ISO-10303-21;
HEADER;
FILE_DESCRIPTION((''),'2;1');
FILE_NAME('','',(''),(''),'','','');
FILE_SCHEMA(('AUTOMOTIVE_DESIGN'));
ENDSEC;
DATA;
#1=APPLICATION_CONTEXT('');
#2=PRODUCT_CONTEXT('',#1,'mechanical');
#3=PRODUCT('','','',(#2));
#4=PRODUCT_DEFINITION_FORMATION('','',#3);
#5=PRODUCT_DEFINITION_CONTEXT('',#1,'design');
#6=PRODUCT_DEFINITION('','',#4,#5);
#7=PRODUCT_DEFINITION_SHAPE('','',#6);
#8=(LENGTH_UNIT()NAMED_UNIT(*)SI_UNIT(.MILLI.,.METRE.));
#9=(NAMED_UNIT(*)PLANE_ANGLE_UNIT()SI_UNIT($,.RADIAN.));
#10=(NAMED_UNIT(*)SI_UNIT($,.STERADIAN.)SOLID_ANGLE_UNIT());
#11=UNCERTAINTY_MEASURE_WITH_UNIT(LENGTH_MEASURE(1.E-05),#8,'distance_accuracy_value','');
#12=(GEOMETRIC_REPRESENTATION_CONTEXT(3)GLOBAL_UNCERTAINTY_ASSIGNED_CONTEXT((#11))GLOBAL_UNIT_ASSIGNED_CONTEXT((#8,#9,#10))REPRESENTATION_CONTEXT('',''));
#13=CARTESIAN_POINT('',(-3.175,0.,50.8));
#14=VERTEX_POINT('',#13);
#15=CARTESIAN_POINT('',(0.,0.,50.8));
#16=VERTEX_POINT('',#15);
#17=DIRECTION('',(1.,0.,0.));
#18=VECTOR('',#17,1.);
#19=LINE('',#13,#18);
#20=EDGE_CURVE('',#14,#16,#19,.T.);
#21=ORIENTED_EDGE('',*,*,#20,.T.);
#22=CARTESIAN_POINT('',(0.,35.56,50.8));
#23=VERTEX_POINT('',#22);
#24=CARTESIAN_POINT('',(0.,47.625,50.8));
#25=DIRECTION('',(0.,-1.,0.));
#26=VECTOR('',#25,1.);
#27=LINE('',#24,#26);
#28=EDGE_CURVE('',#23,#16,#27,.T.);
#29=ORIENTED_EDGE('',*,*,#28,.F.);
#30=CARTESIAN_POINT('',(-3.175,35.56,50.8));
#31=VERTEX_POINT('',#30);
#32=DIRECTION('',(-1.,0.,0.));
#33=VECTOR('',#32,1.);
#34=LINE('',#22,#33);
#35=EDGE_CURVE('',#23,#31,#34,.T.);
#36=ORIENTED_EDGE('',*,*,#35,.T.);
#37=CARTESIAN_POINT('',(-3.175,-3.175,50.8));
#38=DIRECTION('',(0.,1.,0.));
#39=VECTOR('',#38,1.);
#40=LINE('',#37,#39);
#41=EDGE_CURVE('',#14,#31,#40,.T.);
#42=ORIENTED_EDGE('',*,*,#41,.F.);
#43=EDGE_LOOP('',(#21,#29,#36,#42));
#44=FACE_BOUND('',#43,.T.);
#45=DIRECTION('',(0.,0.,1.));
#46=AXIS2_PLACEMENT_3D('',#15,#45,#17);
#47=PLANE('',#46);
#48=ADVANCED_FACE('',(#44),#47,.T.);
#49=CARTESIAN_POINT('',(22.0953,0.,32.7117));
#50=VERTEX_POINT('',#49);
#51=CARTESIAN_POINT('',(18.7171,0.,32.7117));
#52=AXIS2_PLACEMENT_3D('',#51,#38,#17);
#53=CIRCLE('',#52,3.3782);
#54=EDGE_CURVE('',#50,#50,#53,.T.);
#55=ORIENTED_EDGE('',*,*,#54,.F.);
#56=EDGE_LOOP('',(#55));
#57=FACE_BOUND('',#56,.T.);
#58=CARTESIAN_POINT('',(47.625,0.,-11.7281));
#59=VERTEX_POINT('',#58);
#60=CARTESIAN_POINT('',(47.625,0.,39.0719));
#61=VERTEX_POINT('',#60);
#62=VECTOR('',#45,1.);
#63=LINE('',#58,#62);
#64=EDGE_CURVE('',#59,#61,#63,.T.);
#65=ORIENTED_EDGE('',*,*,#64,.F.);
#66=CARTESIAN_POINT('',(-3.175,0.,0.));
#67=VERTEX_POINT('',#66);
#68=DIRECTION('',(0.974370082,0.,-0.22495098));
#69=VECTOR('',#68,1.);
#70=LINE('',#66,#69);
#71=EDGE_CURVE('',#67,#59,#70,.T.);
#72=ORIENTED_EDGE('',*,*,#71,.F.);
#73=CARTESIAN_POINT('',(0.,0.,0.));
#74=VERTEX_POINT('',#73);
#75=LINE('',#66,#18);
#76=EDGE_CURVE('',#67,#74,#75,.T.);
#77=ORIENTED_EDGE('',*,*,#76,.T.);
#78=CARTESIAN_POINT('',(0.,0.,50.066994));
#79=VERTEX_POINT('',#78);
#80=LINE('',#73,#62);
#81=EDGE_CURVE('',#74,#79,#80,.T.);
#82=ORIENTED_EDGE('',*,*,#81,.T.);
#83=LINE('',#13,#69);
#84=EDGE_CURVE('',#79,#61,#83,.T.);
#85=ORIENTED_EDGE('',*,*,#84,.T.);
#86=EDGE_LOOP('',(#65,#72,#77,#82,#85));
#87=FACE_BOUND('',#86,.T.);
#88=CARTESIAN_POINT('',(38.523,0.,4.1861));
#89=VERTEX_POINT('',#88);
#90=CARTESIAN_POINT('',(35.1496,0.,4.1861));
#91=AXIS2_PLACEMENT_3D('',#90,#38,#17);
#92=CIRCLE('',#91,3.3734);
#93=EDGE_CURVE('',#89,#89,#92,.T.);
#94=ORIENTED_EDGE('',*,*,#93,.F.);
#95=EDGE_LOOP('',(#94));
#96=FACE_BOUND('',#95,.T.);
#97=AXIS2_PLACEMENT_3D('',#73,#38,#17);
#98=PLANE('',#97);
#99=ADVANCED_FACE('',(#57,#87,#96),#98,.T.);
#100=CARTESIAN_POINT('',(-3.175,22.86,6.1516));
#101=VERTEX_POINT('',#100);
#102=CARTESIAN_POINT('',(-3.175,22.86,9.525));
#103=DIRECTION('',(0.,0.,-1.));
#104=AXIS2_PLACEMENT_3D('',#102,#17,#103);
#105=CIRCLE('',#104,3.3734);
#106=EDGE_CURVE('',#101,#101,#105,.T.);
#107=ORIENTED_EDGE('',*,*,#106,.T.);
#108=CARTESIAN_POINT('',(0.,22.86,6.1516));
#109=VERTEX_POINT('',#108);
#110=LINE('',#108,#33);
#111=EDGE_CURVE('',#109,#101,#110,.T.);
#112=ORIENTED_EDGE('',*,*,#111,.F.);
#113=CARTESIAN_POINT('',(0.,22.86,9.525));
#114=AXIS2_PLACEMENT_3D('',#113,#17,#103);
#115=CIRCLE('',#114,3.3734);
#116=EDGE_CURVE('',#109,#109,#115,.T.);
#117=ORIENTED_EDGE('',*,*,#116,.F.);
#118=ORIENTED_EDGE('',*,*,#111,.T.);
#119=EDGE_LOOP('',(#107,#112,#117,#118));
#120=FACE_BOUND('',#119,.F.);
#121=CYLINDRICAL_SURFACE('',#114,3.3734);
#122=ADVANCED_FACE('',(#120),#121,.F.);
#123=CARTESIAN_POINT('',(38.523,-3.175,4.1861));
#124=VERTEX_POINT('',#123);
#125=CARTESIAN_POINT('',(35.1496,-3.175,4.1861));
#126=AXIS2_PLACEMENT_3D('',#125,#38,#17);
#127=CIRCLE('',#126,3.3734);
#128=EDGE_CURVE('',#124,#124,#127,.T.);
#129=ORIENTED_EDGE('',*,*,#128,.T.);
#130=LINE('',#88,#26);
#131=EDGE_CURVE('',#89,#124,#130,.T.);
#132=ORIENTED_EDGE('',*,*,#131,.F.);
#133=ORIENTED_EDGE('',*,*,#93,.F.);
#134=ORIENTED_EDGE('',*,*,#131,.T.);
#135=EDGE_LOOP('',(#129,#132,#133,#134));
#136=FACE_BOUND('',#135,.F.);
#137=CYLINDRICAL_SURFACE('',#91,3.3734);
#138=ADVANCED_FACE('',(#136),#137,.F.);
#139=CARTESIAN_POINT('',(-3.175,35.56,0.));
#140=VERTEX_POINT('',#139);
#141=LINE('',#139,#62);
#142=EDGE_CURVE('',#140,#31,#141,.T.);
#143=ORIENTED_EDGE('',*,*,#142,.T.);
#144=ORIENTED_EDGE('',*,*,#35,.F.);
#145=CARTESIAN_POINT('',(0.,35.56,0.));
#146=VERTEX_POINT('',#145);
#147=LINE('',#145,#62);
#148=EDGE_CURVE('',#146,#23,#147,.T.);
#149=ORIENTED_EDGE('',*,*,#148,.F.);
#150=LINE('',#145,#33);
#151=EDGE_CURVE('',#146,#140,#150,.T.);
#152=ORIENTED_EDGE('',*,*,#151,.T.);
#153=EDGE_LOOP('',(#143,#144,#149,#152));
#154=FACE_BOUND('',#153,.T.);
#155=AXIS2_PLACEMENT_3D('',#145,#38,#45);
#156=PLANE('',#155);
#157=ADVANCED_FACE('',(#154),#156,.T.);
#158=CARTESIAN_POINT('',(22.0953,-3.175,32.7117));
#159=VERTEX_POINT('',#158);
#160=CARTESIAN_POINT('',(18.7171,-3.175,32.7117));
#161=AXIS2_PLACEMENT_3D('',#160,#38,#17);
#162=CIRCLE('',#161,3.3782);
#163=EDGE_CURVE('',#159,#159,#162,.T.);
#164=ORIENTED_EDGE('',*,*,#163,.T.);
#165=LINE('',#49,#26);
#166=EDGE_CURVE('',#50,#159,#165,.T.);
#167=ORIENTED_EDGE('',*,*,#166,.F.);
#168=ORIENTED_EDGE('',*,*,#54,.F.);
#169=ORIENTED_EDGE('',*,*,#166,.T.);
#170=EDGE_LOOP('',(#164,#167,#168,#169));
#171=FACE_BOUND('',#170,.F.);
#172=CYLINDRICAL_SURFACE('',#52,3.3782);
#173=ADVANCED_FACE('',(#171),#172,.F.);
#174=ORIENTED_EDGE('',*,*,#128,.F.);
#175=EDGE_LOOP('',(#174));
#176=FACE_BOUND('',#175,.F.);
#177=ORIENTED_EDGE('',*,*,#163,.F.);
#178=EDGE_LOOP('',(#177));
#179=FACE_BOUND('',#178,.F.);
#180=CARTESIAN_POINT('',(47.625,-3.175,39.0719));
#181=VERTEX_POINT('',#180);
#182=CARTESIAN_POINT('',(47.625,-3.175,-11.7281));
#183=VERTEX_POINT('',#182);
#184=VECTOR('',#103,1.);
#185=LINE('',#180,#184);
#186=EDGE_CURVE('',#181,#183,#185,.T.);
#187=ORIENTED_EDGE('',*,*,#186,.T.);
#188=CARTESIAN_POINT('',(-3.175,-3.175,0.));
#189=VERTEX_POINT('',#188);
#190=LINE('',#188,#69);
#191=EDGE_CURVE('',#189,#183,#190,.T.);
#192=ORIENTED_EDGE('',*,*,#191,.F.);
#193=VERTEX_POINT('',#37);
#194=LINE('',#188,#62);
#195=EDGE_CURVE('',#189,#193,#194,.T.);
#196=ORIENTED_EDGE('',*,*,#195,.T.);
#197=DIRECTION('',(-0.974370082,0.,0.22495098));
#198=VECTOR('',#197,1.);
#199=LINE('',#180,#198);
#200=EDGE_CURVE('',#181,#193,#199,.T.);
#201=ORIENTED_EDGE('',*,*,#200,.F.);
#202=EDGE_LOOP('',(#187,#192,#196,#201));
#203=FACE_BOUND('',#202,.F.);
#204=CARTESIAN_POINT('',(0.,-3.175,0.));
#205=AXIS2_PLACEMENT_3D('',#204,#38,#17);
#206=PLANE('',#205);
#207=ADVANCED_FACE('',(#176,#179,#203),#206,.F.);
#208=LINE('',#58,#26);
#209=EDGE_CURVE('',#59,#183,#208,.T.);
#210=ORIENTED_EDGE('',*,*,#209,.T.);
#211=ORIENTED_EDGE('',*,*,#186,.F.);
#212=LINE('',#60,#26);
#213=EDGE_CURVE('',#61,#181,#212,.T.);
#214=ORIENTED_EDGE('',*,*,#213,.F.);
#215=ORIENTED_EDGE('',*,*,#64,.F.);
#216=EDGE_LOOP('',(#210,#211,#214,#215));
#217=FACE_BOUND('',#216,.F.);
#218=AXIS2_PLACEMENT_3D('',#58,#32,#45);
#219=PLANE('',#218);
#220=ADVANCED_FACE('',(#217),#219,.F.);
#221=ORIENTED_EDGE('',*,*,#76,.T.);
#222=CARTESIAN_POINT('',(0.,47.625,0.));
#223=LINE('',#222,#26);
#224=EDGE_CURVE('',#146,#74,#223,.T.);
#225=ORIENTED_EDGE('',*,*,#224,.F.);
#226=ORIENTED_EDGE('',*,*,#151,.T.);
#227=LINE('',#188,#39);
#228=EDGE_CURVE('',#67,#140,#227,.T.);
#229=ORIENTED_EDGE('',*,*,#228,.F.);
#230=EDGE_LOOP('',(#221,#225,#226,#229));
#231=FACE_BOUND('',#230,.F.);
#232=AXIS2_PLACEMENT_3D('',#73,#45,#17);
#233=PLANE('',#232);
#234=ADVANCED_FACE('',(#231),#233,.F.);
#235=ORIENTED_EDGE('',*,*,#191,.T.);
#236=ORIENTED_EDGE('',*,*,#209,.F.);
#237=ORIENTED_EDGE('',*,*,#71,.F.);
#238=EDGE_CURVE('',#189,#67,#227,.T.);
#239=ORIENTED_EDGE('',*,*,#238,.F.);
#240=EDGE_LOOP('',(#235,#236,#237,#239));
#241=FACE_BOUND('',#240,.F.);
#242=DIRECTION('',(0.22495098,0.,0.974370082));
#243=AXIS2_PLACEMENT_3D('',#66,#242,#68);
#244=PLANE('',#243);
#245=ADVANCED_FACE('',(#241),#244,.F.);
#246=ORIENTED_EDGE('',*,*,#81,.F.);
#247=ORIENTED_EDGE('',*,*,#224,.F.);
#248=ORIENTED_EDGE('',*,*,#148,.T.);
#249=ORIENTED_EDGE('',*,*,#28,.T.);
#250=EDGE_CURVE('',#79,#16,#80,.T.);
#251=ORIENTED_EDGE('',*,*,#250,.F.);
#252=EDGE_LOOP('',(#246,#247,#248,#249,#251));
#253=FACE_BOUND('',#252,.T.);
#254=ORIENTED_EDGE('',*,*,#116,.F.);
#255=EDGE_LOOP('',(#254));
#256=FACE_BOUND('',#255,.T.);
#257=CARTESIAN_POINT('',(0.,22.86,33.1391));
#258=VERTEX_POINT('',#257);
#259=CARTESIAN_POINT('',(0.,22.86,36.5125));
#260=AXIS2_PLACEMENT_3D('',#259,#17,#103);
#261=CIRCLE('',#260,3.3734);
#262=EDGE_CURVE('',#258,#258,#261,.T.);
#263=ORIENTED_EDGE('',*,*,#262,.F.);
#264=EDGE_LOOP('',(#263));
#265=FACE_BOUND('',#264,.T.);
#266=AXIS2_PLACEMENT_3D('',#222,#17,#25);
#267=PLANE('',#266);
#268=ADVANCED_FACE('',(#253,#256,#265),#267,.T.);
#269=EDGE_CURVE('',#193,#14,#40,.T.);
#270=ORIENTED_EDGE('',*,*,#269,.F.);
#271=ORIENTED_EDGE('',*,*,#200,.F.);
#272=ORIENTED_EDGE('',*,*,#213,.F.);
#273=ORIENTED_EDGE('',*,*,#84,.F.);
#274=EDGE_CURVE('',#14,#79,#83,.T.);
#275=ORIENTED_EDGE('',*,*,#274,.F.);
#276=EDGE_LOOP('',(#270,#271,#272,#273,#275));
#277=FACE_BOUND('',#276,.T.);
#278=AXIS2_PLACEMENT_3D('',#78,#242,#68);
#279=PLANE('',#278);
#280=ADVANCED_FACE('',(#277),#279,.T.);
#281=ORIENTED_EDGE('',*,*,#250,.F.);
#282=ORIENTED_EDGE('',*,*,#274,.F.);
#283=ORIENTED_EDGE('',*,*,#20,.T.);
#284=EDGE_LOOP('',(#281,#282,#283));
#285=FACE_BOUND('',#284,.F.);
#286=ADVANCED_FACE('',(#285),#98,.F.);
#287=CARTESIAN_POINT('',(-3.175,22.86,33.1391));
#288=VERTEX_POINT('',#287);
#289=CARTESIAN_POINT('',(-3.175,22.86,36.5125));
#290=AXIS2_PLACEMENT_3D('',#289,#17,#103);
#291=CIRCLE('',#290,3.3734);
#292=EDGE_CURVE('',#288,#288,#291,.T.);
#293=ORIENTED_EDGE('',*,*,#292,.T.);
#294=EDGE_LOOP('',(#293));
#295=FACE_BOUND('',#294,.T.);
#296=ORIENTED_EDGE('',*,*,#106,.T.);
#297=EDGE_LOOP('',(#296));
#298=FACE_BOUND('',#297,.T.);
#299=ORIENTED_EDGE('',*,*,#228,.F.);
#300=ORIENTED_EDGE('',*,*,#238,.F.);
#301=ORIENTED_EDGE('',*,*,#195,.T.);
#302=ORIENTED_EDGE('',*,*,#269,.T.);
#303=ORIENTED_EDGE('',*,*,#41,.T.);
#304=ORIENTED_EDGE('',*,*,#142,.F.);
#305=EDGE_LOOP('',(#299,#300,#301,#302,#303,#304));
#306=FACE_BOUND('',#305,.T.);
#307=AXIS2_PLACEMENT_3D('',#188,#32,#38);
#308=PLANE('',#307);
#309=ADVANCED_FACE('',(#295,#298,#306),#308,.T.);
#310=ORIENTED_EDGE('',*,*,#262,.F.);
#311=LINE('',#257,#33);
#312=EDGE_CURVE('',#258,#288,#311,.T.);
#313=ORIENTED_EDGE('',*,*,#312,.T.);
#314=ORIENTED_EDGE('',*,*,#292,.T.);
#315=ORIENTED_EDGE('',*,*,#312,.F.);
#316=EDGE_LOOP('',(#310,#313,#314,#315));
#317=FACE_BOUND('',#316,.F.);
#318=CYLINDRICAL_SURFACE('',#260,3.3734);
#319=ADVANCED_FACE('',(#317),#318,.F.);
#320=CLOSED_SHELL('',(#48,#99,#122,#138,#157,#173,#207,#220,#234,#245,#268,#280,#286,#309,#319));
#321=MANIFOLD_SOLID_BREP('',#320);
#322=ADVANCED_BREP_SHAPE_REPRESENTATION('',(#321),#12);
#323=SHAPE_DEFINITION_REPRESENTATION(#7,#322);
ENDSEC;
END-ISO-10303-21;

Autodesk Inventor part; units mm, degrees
ref_plane "YZ Plane" through (0, 0, 0) normal (1, 0, 0) x (0, 1, 0)
ref_plane "XZ Plane" through (0, 0, 0) normal (0, 1, 0) x (-1, 0, 0)
ref_plane "XY Plane" through (0, 0, 0) normal (0, 0, 1) x (1, 0, 0)
sketch "Sketch1" plane through (0, 0, 0) normal (0, 0, 1) x (1, 0, 0)
  line L0 (0, 0) -> (47.625, 0)
  line L1 (47.625, 0) -> (47.625, -3.175)
  line L2 (47.625, -3.175) -> (-3.175, -3.175)
  line L3 (-3.175, -3.175) -> (-3.175, 47.625)
  line L4 (-3.175, 47.625) -> (0, 47.625)
  line L5 (0, 47.625) -> (0, 0)
  dimension "d14" = 50.8
  dimension "d15" = 3.175
extrude "Extrusion1" add sketch "Sketch1" along normal blind 50.8
sketch "Sketch2" plane through (0, 0, 0) normal (1, 0, 0) x (0, 0, -1)
  circle A0 centre (-9.525, 22.86) radius 3.3734
  circle A1 centre (-36.5125, 22.86) radius 3.3734
  line L0 (0, 0) -> (-50.8, 0) projected
  line L1 (0, 47.625) -> (0, 0) projected
  line L2 (-50.8, 0) -> (-50.8, 47.625) projected
  dimension "d6" = 6.7469
  dimension "d7" = 6.7469
  dimension "d8" = 22.86
  dimension "d9" = 22.86
  dimension "d16" = 14.2875
  dimension "d17" = 41.275
extrude "Extrusion2" cut sketch "Sketch2" against normal blind 3.175
sketch "Sketch3" plane through (0, 0, 0) normal (0, 1, 0) x (1, 0, 0)
  line L0 (0, -50.8) -> (-3.175, -50.8) projected
  line L1 (-3.175, -50.8) -> (47.625, -39.0719)
  line L2 (47.625, -50.8) -> (0, -50.8) projected
  circle A0 centre (35.1496, -4.1861) radius 3.3734
  circle A1 centre (18.7171, -32.7117) radius 3.3782
  line L3 (-3.175, 0) -> (-3.175, -50.8) projected
  line L4 (-3.175, -50.8) -> (-14.6025, -1.302) construction
  line L5 (47.625, 0) -> (47.625, -50.8) projected
  line L6 (47.625, 0) -> (47.625, -50.8) projected
  line L7 (47.625, -39.0719) -> (47.625, -50.8)
  line L8 (47.625, -50.8) -> (-3.175, -50.8)
  line L9 (-3.175, 0) -> (0, 0) projected
  line L10 (-3.175, 0) -> (47.625, 11.7281)
  line L11 (47.625, 11.7281) -> (47.625, 0)
  line L12 (47.625, 0) -> (-3.175, 0)
  line L13 (0, 0) -> (0, -50.8) projected
  dimension "d18" = 13
  dimension "d19" = 6.7469
  dimension "d20" = 6.7564
  dimension "d21" = 12.7
  dimension "d22" = 50.8
  dimension "d23" = 25.4
  dimension "d24" = 21.8921
  dimension "d26" = 12.7
  dimension "d35" = 47.8282
  dimension "d36" = 12.4754
  dimension "d37" = 18.7171
extrude "Extrusion3" cut sketch "Sketch3" against normal blind 3.175 contours L13 L1 L5 L2 | L0 L1 L13 | A0 | A1
extrude "Extrusion4" add sketch "Sketch3" against normal blind 3.175 contours L10 L11 L12 L9
sketch "Sketch4" plane through (0, 0, 0) normal (1, 0, 0) x (0, 0, -1)
  line L0 (-50.8, 0) -> (-50.8, 47.625) projected
  line L1 (0, 47.625) -> (0, 0) projected
  line L2 (-50.8, 47.625) -> (0, 47.625)
  line L3 (0, 47.625) -> (0, 35.56)
  line L4 (0, 35.56) -> (-50.8, 35.56)
  line L5 (-50.8, 35.56) -> (-50.8, 47.625)
  dimension "d32" = 12.065
extrude "Extrusion5" cut sketch "Sketch4" against normal blind 3.175
properties part number "rail gusset" material "Aluminum 6061"
